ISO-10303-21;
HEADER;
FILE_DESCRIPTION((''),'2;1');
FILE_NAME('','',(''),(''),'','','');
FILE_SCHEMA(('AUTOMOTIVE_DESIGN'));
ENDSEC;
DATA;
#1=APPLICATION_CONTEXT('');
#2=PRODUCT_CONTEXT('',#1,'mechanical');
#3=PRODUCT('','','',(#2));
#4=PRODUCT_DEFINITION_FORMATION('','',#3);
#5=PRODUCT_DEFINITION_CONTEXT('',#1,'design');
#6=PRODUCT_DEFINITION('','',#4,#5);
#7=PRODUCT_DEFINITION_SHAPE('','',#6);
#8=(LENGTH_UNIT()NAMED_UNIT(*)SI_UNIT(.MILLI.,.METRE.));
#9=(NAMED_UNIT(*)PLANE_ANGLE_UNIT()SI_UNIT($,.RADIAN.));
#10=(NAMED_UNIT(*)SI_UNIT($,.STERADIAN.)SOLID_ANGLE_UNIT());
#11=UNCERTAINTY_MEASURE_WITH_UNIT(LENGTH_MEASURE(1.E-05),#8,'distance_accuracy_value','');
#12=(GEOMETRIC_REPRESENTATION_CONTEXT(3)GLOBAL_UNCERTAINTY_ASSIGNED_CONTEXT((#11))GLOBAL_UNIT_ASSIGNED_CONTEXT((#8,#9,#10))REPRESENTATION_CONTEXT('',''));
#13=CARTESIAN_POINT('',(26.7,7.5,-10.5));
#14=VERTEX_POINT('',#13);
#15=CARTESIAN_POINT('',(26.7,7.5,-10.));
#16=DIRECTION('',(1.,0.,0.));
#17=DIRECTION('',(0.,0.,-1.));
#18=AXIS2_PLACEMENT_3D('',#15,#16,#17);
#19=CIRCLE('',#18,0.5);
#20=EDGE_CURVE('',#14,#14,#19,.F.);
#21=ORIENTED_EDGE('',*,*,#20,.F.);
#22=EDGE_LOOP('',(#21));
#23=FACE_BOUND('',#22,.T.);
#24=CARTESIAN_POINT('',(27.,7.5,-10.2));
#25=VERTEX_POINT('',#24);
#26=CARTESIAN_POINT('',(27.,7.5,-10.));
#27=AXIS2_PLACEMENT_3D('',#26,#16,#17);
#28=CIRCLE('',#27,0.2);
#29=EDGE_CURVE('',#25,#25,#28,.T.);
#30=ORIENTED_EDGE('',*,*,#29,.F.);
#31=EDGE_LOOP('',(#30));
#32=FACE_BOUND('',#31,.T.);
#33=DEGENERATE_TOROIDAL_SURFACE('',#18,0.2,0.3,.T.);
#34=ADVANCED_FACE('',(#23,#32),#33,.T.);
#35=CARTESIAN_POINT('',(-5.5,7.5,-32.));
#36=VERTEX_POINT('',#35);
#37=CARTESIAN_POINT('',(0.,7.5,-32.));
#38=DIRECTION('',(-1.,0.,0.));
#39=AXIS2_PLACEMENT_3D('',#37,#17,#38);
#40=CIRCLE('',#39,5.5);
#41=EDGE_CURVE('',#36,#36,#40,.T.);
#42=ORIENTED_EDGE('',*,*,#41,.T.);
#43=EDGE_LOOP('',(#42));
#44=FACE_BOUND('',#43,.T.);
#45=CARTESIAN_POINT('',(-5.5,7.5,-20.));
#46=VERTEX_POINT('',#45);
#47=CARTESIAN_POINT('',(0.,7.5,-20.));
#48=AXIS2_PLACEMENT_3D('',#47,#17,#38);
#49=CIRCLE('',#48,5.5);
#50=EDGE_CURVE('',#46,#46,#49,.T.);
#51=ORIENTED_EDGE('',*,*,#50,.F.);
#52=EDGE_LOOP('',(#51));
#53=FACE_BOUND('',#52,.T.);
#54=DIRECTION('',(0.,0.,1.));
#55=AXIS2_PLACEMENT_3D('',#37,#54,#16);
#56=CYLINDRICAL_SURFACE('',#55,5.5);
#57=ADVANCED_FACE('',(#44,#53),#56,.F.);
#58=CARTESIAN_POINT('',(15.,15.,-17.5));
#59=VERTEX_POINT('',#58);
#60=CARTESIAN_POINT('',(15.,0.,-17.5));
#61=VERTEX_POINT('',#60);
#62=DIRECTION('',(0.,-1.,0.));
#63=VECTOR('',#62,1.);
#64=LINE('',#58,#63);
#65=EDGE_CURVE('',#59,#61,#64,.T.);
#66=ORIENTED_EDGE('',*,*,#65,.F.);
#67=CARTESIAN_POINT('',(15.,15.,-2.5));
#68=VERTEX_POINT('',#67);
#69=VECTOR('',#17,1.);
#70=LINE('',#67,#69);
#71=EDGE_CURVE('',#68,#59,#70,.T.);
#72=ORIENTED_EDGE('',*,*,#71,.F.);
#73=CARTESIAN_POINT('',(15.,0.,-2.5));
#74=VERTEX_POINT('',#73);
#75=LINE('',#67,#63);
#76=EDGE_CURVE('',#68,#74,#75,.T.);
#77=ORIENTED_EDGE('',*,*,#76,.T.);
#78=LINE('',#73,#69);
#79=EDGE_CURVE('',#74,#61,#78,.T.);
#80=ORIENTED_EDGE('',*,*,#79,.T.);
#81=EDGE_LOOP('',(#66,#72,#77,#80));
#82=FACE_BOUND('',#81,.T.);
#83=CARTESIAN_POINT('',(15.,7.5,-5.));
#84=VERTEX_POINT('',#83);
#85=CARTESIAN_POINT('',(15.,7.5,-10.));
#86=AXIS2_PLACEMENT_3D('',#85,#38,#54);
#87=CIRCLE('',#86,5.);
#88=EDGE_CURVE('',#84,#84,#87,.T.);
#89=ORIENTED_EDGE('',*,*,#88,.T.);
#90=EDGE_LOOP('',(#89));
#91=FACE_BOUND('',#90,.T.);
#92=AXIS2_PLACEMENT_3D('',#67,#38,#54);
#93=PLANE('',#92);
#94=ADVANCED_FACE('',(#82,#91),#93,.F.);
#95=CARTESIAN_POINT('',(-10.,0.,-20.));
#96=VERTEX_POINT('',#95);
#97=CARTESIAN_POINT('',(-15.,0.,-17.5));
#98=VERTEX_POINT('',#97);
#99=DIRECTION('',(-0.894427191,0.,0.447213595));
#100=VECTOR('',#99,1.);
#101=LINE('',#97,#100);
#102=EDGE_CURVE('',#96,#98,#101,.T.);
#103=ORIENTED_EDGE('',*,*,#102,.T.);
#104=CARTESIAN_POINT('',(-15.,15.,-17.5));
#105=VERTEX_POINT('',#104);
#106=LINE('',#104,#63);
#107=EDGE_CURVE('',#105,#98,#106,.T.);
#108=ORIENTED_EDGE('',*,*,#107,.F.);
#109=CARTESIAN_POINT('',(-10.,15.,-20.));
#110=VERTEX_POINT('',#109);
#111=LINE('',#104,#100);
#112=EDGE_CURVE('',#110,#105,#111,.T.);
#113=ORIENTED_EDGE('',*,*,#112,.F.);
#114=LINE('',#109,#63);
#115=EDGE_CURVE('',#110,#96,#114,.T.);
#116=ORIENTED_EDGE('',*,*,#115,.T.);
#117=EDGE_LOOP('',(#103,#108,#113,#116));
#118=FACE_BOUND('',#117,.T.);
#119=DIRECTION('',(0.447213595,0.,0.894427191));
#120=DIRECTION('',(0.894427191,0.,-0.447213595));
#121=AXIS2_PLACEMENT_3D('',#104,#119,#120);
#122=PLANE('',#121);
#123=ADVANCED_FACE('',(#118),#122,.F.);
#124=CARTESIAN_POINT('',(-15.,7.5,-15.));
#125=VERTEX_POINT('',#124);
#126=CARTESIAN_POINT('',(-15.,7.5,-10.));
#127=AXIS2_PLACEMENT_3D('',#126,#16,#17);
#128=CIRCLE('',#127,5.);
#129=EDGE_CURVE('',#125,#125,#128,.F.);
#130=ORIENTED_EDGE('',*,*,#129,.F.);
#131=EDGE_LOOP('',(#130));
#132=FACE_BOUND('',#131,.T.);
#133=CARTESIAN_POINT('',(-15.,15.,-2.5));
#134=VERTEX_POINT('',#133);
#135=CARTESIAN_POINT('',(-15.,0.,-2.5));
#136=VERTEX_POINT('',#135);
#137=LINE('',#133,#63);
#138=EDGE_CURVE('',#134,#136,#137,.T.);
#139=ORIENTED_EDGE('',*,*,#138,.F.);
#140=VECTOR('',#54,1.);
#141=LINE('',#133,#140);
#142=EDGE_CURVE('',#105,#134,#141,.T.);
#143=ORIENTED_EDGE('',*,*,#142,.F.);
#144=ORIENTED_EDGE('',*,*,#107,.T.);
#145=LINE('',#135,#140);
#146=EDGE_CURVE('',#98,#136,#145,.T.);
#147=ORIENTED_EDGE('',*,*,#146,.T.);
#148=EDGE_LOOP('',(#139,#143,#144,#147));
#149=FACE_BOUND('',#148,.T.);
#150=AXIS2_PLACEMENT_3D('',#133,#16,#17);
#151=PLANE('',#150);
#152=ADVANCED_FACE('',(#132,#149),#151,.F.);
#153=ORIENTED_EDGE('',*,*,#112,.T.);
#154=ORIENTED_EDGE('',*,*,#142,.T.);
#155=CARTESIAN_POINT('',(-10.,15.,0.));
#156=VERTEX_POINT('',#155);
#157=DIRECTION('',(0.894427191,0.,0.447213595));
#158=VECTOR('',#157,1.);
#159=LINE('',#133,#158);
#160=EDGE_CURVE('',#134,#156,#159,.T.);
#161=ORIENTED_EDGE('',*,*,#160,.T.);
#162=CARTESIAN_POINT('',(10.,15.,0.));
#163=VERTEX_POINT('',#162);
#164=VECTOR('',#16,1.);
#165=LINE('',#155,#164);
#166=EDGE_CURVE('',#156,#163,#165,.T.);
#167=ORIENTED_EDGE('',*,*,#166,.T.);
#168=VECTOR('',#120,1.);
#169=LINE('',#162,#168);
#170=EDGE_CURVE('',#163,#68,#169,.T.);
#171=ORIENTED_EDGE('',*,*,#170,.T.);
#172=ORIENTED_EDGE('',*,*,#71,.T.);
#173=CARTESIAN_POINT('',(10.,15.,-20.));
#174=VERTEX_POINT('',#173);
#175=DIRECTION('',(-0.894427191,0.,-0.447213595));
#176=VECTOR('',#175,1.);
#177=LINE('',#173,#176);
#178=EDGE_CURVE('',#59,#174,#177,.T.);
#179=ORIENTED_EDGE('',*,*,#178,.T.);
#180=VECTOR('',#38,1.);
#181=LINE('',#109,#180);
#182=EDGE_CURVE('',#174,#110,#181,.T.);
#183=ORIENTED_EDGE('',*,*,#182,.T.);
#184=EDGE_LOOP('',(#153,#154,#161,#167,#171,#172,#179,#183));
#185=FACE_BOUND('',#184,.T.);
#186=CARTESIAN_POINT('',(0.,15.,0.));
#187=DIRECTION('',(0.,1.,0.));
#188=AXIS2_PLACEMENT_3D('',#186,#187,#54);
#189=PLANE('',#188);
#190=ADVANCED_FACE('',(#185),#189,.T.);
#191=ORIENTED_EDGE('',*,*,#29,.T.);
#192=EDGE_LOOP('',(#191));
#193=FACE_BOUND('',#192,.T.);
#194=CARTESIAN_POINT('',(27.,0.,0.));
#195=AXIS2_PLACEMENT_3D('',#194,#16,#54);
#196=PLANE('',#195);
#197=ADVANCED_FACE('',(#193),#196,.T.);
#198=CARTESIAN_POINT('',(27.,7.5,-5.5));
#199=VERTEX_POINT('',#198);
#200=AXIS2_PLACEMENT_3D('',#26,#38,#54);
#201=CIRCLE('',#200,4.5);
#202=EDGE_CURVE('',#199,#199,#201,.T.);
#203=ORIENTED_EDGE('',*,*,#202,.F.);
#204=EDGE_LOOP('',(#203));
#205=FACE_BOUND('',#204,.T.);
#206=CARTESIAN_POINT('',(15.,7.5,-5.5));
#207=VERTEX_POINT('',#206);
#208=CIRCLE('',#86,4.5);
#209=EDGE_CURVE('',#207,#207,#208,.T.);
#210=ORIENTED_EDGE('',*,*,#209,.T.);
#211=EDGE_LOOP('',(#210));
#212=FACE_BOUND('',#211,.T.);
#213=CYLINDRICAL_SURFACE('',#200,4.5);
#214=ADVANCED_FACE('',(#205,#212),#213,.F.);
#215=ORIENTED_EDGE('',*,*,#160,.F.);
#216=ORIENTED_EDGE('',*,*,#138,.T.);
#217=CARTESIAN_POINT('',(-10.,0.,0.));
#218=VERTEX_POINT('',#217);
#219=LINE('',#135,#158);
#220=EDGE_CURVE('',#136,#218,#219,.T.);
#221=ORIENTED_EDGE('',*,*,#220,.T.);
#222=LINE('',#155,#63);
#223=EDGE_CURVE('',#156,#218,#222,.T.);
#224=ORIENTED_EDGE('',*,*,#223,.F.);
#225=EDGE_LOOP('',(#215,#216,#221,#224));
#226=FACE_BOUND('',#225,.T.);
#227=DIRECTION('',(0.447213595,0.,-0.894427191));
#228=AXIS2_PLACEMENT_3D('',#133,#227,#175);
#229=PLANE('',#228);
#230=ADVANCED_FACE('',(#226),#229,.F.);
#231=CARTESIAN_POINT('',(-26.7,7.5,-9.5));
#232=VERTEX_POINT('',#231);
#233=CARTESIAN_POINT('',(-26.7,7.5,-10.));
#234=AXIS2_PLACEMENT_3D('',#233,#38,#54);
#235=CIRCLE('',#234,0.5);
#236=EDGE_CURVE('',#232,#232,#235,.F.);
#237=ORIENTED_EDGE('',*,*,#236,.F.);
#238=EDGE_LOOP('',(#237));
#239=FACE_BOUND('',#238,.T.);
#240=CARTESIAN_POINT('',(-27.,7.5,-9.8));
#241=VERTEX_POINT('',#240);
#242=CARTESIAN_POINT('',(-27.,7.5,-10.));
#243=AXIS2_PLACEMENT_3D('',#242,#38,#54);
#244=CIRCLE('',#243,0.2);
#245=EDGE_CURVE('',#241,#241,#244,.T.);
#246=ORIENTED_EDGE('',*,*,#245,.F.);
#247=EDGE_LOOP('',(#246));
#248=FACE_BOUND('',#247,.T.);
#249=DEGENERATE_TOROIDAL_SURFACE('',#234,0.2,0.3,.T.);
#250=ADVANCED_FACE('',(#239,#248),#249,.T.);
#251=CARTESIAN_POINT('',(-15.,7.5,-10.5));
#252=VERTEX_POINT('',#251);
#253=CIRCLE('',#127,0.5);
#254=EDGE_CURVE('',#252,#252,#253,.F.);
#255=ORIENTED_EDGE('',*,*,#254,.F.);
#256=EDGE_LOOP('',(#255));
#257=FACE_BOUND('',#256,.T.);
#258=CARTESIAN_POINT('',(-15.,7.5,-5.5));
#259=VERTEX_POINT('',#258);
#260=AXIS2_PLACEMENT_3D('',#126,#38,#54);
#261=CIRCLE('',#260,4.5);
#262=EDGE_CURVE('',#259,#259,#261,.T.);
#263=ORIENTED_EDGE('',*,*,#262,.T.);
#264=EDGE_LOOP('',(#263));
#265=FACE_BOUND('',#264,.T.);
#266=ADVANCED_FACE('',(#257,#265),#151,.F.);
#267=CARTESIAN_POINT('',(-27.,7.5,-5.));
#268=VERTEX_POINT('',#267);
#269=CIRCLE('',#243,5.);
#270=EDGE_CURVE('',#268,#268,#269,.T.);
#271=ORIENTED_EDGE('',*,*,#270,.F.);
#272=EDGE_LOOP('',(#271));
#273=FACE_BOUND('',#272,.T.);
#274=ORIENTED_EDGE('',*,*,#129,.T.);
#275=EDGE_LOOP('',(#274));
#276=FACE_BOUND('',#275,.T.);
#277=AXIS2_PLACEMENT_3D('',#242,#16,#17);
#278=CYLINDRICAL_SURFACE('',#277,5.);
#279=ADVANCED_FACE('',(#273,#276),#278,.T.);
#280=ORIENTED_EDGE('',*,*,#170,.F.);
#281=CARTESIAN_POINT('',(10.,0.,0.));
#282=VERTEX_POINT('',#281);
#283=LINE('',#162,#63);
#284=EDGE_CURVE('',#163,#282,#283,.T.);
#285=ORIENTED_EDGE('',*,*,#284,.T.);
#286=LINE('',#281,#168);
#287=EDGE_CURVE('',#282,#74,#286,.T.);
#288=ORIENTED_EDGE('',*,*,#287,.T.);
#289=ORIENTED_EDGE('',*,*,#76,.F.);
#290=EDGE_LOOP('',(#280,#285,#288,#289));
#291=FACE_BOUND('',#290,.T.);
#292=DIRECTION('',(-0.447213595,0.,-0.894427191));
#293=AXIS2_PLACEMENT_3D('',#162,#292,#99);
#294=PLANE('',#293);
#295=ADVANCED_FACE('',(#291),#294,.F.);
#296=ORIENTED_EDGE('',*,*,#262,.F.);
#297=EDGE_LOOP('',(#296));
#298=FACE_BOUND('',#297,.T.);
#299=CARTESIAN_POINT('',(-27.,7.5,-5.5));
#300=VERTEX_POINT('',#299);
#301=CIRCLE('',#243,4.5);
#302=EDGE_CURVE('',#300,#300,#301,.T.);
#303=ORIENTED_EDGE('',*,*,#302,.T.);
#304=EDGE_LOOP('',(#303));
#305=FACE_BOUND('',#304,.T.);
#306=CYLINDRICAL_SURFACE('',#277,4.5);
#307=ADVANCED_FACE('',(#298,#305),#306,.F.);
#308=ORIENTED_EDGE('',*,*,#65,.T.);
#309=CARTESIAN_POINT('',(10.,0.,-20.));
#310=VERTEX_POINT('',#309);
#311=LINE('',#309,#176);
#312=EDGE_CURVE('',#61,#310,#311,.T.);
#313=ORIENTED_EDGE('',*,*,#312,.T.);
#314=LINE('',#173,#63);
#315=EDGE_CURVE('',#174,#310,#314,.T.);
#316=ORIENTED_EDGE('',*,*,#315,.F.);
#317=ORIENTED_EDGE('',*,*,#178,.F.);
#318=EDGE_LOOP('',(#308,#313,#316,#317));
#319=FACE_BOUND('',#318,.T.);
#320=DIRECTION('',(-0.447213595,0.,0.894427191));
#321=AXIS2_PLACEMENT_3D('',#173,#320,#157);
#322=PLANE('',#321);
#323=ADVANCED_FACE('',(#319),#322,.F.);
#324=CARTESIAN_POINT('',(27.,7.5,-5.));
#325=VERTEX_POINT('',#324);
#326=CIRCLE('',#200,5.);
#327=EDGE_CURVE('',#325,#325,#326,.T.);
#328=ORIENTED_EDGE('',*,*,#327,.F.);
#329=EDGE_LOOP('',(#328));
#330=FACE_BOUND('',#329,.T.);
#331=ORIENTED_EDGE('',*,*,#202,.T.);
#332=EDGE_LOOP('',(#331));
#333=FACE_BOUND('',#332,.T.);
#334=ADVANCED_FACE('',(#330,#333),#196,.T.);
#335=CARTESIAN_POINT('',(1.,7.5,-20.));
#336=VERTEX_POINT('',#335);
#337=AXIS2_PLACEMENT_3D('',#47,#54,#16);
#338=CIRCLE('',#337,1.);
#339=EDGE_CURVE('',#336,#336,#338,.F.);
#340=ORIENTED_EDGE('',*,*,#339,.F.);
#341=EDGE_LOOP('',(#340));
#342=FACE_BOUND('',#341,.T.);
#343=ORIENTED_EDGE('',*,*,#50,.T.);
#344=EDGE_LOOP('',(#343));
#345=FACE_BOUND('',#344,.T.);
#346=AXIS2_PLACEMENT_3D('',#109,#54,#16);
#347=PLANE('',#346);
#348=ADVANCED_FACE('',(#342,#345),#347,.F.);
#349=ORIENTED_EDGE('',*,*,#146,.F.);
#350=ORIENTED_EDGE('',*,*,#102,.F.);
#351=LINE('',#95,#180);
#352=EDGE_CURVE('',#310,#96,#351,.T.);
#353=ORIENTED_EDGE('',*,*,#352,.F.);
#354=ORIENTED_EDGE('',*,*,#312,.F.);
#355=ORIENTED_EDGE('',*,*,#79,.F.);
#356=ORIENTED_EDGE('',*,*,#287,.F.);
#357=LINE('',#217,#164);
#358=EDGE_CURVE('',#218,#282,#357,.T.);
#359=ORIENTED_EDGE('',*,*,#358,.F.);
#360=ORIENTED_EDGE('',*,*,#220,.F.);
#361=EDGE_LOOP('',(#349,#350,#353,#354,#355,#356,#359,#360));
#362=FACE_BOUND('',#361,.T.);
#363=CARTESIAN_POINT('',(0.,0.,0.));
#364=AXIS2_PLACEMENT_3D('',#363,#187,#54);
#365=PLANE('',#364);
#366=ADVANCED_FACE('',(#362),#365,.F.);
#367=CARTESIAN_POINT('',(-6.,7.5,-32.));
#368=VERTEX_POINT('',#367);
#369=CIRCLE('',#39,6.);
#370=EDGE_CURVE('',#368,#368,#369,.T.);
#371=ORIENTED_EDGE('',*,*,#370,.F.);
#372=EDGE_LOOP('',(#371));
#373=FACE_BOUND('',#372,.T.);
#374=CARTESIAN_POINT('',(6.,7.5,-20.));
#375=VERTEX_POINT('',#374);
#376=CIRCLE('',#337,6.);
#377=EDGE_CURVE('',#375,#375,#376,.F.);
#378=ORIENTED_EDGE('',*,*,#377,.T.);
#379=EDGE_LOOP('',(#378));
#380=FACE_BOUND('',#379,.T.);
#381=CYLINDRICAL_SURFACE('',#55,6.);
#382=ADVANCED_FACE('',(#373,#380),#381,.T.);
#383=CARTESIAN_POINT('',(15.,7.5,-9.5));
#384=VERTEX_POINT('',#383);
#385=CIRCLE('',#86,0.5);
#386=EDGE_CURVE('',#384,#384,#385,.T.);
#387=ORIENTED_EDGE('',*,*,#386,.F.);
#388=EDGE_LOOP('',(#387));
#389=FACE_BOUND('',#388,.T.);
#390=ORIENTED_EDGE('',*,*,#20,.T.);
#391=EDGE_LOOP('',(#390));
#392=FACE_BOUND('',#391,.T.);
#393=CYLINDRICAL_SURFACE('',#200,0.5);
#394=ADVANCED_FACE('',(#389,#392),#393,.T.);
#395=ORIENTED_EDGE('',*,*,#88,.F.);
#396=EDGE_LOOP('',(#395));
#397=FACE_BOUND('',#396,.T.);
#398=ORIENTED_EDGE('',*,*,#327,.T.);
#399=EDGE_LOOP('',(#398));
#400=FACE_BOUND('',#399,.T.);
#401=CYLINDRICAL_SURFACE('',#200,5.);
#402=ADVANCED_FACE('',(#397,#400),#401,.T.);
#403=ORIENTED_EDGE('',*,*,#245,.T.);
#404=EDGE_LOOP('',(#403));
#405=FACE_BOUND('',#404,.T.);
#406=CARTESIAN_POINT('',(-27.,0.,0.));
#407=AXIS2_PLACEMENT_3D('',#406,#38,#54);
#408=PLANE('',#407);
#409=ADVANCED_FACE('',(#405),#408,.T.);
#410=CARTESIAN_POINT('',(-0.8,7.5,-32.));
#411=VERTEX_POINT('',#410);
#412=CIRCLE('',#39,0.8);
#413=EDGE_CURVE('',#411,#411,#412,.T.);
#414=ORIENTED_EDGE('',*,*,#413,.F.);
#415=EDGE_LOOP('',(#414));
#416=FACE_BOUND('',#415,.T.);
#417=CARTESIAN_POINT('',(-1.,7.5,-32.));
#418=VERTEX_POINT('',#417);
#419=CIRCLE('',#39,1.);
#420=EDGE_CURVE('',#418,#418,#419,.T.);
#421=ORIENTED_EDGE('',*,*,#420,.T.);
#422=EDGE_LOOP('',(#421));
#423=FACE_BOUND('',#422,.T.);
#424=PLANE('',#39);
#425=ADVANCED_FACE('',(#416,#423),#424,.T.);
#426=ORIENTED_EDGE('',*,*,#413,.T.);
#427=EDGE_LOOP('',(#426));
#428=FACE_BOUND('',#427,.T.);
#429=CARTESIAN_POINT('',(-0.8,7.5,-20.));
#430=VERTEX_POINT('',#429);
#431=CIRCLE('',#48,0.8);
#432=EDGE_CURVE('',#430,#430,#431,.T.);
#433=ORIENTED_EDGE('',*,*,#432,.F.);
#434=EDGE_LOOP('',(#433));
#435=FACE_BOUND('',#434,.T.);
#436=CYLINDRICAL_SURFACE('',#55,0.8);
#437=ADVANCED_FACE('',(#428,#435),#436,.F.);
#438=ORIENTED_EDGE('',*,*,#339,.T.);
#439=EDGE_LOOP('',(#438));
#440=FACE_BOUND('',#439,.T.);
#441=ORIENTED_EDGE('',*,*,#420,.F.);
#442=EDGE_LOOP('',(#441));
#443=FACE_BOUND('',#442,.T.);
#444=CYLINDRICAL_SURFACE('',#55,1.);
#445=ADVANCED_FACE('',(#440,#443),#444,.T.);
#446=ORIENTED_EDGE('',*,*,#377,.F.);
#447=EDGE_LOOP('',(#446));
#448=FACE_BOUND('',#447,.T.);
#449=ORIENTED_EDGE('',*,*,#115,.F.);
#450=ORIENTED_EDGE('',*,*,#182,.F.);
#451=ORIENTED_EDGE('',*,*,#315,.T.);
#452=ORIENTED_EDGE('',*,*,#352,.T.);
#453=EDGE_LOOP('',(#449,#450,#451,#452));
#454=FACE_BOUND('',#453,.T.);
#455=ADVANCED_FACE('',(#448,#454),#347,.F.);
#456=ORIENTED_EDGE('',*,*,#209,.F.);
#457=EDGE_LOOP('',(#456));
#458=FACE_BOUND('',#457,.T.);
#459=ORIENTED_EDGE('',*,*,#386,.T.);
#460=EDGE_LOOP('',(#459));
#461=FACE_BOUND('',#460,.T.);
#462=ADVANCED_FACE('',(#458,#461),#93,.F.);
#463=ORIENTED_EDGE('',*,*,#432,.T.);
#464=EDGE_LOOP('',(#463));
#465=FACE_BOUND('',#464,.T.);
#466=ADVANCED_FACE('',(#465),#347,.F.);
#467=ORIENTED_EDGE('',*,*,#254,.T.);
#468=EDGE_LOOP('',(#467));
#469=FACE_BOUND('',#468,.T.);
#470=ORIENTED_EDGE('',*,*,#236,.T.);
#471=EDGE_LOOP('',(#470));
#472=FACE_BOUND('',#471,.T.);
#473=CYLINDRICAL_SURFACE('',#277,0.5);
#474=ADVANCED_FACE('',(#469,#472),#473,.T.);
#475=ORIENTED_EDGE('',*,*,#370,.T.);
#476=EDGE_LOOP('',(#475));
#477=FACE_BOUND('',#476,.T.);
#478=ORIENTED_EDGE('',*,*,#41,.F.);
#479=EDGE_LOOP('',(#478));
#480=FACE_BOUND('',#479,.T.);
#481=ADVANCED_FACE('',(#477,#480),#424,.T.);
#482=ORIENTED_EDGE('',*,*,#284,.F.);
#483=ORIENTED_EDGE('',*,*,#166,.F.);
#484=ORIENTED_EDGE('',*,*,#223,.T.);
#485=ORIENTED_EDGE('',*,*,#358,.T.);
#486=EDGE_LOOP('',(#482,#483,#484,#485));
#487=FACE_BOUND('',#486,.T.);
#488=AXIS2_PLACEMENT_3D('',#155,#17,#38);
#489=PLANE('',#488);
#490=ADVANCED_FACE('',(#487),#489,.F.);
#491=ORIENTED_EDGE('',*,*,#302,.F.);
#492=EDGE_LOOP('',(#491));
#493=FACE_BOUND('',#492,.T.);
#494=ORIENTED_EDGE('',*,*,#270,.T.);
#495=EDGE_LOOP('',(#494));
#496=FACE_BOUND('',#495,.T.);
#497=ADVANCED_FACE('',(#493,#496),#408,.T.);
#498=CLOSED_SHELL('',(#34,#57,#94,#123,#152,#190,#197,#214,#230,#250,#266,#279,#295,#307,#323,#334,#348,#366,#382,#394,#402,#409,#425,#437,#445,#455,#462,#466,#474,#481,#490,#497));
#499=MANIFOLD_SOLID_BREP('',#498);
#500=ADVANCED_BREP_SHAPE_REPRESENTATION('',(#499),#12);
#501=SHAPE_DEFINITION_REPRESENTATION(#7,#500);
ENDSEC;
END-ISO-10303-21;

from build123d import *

# Parameters (mm, degrees)
BOSS_EXTRUDE1_DEPTH  = 15
SKETCH2_R            = 6
SKETCH2_R_2          = 5.5
BOSS_EXTRUDE2_DEPTH  = 12
SKETCH3_R            = 1
SKETCH3_R_2          = 0.8
BOSS_EXTRUDE3_DEPTH  = 12
SKETCH4_R            = 5
SKETCH4_R_2          = 4.5
SKETCH4_R_3          = 0.5
BOSS_EXTRUDE4_DEPTH  = 12
FILLET2_R            = 0.3
FILLET2_OF_MIRROR1_R = 0.3


with BuildPart() as part:
    # Sketch1 → Boss-Extrude1 (new body)
    with BuildSketch(Plane(origin=(0, 0, 0), x_dir=(1, 0, 0), z_dir=(0, 1, 0))):
        Polygon((10, 20), (15, 17.5), (15, 2.5), (10, 0), (-10, 0), (-15, 2.5), (-15, 17.5), (-10, 20), align=None)
    extrude(amount=BOSS_EXTRUDE1_DEPTH)

    # Sketch2 → Boss-Extrude2 (add)
    with BuildSketch(Plane(origin=(0, 0, -20), x_dir=(-1, 0, 0), z_dir=(0, 0, -1))):
        with Locations((0, 7.5)):
            Circle(SKETCH2_R)
        with Locations((0, 7.5)):
            Circle(SKETCH2_R_2, mode=Mode.SUBTRACT)
    extrude(amount=BOSS_EXTRUDE2_DEPTH)

    # Sketch3 → Boss-Extrude3 (add)
    with BuildSketch(Plane(origin=(0, 0, -20), x_dir=(-1, 0, 0), z_dir=(0, 0, -1))):
        with Locations((0, 7.5)):
            Circle(SKETCH3_R)
        with Locations((0, 7.5)):
            Circle(SKETCH3_R_2, mode=Mode.SUBTRACT)
    extrude(amount=BOSS_EXTRUDE3_DEPTH)

    # Sketch4 → Boss-Extrude4 (add)
    with BuildSketch(Plane.ZY.offset(15)):
        with Locations((-10, 7.5)):
            Circle(SKETCH4_R)
        with Locations((-10, 7.5)):
            Circle(SKETCH4_R_2, mode=Mode.SUBTRACT)
        with Locations((-10, 7.5)):
            Circle(SKETCH4_R_3)
    boss_extrude4 = extrude(amount=BOSS_EXTRUDE4_DEPTH)

    # Fillet2
    fillet2_edges = [part.edges().sort_by_distance(p)[0] for p in [
        (-27, 7.5, -10.5),
    ]]
    fillet(fillet2_edges, radius=FILLET2_R)

    # Mirror1: Boss-Extrude4 across plane
    add(boss_extrude4.mirror(Plane(origin=(0, 0, 0), x_dir=(0, 0, 1), z_dir=(1, 0, 0))))

    # Fillet2 of Mirror1
    fillet2_of_mirror1_edges = [part.edges().sort_by_distance(p)[0] for p in [
        (27, 7.5, -10.5),
    ]]
    fillet(fillet2_of_mirror1_edges, radius=FILLET2_OF_MIRROR1_R)


solid = part.part
